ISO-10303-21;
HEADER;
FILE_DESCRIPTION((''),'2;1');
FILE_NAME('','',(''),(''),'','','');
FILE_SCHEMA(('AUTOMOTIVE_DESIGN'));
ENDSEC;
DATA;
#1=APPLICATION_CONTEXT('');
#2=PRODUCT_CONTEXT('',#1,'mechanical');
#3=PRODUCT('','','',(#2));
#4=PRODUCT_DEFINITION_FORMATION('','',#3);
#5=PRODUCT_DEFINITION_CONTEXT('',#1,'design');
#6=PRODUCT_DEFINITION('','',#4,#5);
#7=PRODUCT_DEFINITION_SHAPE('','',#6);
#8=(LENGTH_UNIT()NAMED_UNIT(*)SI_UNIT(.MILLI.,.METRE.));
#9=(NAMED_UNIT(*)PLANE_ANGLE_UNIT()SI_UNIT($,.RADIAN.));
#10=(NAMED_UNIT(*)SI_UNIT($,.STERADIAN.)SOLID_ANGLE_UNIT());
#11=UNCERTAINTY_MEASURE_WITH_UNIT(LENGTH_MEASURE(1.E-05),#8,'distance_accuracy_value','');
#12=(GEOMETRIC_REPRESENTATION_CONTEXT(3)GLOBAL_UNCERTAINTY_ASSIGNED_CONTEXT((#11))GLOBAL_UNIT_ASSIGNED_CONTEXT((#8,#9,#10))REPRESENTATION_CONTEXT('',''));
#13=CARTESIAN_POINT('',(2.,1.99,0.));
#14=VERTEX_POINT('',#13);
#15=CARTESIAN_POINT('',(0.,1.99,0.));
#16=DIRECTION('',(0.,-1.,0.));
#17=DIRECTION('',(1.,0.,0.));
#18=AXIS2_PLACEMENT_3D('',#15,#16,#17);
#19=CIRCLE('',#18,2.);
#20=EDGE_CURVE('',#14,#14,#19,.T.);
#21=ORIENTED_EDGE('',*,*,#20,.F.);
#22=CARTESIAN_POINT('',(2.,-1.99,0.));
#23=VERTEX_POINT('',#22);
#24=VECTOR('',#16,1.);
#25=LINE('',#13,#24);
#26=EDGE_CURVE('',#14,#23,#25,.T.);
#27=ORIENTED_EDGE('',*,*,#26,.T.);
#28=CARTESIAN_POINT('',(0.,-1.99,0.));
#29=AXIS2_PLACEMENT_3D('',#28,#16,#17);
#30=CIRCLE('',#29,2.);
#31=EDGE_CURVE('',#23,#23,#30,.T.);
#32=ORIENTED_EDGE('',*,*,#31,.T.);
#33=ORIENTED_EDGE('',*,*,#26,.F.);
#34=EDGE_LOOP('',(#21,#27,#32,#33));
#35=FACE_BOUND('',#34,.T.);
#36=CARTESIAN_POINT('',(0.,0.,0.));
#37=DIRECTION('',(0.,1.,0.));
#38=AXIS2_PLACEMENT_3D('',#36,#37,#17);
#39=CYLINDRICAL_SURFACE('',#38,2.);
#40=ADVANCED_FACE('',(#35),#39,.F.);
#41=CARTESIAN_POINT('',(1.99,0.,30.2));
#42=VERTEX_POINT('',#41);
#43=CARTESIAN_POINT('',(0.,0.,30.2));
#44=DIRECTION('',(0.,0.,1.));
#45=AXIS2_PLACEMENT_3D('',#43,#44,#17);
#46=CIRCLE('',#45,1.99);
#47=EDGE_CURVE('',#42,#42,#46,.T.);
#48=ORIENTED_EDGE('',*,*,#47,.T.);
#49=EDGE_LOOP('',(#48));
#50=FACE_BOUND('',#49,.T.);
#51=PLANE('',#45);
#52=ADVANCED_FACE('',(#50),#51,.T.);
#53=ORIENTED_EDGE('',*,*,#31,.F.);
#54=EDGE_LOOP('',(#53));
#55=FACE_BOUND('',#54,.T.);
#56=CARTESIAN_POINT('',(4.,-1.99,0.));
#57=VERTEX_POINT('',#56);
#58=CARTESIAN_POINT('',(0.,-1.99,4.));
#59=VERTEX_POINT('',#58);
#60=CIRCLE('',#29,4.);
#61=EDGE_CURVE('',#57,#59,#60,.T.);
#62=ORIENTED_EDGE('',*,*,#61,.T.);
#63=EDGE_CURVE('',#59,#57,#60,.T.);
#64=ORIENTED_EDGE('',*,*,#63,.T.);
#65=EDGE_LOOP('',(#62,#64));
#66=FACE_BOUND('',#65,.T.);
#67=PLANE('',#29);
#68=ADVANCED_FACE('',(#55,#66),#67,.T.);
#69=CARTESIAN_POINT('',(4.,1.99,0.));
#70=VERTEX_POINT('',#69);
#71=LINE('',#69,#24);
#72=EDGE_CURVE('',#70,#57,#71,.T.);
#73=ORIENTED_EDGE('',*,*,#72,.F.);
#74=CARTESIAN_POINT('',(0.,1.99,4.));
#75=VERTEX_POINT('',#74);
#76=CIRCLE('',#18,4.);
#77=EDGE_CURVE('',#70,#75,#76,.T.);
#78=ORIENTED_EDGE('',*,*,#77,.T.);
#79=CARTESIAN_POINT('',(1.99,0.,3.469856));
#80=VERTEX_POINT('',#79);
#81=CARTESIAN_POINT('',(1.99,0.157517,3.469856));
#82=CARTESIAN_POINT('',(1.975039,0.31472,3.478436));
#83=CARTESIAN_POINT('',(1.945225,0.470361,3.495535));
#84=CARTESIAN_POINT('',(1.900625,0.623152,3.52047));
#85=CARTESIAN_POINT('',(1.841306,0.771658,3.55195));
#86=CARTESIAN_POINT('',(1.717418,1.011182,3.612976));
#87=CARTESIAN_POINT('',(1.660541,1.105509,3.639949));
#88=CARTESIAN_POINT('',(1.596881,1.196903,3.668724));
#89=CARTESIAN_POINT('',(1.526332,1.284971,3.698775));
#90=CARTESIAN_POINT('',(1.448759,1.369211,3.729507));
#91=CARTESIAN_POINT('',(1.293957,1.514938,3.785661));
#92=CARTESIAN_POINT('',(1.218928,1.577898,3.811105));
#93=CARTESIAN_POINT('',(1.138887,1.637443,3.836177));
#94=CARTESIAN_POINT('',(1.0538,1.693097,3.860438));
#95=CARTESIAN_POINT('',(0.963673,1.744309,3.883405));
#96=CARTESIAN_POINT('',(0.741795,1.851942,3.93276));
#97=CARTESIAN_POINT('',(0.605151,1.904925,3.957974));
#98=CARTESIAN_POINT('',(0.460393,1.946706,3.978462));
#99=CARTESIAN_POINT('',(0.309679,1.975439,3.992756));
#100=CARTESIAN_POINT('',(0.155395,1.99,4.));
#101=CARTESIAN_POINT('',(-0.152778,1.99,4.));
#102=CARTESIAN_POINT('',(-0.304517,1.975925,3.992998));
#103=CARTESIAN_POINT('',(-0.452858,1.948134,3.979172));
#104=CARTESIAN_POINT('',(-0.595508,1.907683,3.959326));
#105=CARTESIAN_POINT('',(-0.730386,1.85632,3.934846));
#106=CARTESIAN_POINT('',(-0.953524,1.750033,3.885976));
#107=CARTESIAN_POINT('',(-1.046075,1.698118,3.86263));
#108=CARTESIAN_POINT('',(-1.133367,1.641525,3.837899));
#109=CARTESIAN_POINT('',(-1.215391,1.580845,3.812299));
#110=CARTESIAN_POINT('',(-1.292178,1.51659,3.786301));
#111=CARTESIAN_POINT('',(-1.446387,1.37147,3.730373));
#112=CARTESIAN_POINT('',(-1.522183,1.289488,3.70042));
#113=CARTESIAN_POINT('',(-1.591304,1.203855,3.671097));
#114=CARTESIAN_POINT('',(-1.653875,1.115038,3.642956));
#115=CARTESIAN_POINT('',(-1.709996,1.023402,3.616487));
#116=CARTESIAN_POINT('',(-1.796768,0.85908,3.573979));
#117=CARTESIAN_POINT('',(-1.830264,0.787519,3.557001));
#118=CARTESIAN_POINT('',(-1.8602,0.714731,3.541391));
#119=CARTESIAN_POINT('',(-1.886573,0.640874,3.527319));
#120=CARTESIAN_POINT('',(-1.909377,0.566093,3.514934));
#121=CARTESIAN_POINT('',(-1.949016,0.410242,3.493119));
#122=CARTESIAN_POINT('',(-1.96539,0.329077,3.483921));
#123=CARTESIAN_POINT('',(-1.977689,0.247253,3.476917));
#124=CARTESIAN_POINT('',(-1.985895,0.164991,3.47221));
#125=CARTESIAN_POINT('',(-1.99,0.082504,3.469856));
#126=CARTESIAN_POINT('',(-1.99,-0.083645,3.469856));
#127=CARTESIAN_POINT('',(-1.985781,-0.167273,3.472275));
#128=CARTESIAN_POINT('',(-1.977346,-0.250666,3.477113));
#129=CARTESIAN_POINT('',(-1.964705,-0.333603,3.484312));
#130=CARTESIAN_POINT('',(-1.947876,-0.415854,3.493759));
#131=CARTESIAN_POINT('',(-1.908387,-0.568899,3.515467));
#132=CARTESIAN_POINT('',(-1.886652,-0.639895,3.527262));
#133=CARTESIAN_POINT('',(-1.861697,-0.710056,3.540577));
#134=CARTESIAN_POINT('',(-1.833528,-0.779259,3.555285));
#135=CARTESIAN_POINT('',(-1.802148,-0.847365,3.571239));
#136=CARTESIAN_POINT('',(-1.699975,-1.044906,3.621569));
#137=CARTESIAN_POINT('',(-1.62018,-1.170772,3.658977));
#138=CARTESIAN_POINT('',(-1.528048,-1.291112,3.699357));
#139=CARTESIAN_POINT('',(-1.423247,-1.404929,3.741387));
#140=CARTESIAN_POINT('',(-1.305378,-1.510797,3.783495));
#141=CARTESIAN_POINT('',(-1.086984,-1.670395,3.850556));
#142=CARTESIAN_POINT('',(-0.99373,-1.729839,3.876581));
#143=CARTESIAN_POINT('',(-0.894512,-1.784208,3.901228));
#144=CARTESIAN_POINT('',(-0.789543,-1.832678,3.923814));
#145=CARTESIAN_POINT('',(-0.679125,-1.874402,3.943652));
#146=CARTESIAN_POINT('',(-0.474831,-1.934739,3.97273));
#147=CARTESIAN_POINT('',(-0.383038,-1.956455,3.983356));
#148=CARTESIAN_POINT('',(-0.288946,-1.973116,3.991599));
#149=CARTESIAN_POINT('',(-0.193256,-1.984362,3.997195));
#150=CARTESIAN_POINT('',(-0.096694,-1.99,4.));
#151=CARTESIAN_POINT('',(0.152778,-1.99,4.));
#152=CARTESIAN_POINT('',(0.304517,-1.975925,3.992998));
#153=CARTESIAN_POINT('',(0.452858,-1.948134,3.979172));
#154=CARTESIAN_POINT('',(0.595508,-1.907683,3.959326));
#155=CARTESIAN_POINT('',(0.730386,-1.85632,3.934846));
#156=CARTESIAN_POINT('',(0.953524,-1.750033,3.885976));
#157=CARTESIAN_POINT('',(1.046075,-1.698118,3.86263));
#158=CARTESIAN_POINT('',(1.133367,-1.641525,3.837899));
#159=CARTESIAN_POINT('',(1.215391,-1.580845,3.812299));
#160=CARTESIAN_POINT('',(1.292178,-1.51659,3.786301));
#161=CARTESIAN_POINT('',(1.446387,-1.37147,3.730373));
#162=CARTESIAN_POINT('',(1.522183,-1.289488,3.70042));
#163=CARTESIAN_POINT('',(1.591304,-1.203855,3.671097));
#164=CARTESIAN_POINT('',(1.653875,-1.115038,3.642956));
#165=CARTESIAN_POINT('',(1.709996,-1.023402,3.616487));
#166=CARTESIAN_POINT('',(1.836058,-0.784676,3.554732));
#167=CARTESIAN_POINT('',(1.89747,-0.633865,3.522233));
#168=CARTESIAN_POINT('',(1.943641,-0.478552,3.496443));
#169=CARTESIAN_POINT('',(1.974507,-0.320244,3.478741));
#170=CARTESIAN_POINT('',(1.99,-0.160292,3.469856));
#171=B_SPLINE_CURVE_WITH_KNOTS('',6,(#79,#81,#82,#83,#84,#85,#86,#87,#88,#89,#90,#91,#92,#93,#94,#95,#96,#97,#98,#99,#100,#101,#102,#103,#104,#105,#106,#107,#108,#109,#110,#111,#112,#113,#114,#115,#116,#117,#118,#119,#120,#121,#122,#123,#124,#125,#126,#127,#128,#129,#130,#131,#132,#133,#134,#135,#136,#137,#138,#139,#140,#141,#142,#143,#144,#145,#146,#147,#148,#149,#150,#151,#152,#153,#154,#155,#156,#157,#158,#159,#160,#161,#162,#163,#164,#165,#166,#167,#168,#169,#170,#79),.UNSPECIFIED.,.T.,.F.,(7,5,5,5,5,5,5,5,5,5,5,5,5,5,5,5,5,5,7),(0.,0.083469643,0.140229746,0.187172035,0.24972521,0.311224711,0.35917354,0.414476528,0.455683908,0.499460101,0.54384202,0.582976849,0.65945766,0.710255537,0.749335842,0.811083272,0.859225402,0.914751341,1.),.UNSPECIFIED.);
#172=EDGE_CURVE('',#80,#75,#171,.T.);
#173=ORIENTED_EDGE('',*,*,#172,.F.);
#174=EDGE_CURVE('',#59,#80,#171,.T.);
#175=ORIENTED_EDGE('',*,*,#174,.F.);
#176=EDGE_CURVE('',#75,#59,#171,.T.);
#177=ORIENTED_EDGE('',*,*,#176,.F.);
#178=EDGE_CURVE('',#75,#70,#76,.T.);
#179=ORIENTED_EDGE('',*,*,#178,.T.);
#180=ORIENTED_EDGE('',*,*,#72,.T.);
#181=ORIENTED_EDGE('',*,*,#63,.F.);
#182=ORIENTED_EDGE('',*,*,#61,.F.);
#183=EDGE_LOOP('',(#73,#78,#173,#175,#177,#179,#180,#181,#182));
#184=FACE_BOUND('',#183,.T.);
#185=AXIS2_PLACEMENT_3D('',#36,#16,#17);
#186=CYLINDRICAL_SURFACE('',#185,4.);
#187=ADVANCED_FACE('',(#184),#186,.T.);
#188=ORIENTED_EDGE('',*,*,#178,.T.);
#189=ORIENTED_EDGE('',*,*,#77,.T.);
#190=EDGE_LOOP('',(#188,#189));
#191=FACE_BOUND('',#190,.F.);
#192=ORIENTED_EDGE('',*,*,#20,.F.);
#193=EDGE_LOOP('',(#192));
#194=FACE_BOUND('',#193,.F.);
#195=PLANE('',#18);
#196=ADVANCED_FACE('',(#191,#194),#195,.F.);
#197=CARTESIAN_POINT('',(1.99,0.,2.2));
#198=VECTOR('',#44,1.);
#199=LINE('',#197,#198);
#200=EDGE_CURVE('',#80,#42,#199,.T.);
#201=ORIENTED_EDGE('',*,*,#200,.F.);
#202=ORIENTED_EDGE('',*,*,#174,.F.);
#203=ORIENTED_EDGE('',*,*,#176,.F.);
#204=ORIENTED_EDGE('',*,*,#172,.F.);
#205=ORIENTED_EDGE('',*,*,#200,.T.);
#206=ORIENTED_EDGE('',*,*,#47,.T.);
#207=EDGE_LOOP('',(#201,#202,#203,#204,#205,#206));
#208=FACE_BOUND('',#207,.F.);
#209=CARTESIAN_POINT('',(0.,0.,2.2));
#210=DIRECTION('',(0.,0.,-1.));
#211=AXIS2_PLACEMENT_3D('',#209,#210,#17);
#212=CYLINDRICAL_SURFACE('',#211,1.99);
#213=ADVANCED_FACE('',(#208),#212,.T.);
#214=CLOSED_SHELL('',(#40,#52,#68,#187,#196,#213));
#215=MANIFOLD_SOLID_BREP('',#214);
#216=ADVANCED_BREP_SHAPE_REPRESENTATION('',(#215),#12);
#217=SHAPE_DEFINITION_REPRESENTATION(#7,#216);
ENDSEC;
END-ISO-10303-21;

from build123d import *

# Parameters (mm, degrees)
F0_R     = 4
F0_R_2   = 2
F1_DEPTH = 1.9
F2_DEPTH = 1.99
F4_R     = 1.99
F5_DEPTH = 28


with BuildPart() as f1:
    # F0 (on Front) → F1 (new body, symmetric)
    with BuildSketch(Plane.XZ):
        Circle(F0_R)
        Circle(F0_R_2, mode=Mode.SUBTRACT)
    extrude(amount=F1_DEPTH, both=True)

    # F0 (on Front) → F2 (join, symmetric)
    with BuildSketch(Plane.XZ):
        Circle(F0_R)
        Circle(F0_R_2, mode=Mode.SUBTRACT)
    extrude(amount=F2_DEPTH, both=True)

    # F4 (on offset) → F5 (join)
    with BuildSketch(Plane.XY.offset(2.2)):
        Circle(F4_R)
    extrude(amount=F5_DEPTH)


solid = f1.part
